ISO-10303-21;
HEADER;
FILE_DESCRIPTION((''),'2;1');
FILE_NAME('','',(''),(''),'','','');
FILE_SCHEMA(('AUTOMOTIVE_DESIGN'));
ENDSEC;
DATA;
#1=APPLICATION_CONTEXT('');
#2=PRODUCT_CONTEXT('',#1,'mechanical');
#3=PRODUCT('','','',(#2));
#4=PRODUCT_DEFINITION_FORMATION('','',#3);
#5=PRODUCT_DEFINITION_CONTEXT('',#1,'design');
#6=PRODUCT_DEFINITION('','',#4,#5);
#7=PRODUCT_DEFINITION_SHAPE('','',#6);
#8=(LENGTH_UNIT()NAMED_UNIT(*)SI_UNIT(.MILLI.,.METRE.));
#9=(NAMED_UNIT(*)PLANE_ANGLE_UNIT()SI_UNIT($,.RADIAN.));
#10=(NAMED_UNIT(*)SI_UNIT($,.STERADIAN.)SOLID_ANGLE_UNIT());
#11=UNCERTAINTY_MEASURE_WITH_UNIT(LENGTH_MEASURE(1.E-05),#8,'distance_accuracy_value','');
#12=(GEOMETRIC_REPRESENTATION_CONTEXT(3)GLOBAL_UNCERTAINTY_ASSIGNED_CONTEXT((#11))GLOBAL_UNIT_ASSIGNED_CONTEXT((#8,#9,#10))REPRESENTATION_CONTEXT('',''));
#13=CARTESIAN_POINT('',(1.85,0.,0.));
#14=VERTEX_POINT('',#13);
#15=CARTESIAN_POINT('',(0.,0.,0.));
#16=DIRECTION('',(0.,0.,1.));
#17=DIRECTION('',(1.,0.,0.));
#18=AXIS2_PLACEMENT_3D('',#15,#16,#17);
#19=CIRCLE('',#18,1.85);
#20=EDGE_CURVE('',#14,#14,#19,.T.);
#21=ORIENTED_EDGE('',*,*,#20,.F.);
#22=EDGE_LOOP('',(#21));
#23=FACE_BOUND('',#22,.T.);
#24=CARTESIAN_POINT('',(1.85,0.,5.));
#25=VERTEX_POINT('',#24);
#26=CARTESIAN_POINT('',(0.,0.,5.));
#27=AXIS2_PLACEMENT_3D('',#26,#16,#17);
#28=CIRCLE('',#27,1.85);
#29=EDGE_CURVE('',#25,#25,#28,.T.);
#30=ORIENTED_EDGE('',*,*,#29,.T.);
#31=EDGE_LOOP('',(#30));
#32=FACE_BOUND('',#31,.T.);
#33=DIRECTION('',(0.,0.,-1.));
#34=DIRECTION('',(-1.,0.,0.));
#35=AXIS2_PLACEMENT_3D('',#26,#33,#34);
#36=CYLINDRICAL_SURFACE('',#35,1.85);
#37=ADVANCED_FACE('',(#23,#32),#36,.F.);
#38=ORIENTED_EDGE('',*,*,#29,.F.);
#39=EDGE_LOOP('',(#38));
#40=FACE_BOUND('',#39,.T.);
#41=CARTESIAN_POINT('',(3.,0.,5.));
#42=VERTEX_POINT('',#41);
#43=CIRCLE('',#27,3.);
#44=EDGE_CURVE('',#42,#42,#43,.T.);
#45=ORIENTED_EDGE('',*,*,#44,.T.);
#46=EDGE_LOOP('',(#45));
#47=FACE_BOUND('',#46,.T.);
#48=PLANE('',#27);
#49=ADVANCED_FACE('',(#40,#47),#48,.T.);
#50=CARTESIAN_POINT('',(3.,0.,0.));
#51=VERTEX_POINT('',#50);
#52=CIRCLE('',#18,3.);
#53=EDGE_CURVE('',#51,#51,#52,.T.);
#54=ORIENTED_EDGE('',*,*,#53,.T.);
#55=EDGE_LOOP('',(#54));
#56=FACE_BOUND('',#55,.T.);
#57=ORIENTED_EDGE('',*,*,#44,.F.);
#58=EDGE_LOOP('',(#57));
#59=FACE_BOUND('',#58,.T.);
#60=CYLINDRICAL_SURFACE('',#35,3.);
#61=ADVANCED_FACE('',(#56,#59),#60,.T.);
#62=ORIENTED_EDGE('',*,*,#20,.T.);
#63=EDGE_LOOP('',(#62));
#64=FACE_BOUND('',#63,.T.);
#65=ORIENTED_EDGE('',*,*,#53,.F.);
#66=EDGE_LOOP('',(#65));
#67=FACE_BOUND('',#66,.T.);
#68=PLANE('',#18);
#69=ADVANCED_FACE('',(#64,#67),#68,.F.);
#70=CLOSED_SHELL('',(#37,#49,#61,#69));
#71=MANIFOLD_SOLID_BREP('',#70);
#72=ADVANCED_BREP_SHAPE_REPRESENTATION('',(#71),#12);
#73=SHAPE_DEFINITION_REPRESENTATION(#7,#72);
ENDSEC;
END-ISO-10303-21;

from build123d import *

# Parameters (mm, degrees)
ESQUISSE1_R        = 3
ESQUISSE1_R_2      = 1.85
BOSS_EXTRU_1_DEPTH = 5


with BuildPart() as part:
    # Esquisse1 → Boss.-Extru.1 (new body)
    with BuildSketch(Plane.XY):
        Circle(ESQUISSE1_R)
        Circle(ESQUISSE1_R_2, mode=Mode.SUBTRACT)
    extrude(amount=BOSS_EXTRU_1_DEPTH)


solid = part.part
